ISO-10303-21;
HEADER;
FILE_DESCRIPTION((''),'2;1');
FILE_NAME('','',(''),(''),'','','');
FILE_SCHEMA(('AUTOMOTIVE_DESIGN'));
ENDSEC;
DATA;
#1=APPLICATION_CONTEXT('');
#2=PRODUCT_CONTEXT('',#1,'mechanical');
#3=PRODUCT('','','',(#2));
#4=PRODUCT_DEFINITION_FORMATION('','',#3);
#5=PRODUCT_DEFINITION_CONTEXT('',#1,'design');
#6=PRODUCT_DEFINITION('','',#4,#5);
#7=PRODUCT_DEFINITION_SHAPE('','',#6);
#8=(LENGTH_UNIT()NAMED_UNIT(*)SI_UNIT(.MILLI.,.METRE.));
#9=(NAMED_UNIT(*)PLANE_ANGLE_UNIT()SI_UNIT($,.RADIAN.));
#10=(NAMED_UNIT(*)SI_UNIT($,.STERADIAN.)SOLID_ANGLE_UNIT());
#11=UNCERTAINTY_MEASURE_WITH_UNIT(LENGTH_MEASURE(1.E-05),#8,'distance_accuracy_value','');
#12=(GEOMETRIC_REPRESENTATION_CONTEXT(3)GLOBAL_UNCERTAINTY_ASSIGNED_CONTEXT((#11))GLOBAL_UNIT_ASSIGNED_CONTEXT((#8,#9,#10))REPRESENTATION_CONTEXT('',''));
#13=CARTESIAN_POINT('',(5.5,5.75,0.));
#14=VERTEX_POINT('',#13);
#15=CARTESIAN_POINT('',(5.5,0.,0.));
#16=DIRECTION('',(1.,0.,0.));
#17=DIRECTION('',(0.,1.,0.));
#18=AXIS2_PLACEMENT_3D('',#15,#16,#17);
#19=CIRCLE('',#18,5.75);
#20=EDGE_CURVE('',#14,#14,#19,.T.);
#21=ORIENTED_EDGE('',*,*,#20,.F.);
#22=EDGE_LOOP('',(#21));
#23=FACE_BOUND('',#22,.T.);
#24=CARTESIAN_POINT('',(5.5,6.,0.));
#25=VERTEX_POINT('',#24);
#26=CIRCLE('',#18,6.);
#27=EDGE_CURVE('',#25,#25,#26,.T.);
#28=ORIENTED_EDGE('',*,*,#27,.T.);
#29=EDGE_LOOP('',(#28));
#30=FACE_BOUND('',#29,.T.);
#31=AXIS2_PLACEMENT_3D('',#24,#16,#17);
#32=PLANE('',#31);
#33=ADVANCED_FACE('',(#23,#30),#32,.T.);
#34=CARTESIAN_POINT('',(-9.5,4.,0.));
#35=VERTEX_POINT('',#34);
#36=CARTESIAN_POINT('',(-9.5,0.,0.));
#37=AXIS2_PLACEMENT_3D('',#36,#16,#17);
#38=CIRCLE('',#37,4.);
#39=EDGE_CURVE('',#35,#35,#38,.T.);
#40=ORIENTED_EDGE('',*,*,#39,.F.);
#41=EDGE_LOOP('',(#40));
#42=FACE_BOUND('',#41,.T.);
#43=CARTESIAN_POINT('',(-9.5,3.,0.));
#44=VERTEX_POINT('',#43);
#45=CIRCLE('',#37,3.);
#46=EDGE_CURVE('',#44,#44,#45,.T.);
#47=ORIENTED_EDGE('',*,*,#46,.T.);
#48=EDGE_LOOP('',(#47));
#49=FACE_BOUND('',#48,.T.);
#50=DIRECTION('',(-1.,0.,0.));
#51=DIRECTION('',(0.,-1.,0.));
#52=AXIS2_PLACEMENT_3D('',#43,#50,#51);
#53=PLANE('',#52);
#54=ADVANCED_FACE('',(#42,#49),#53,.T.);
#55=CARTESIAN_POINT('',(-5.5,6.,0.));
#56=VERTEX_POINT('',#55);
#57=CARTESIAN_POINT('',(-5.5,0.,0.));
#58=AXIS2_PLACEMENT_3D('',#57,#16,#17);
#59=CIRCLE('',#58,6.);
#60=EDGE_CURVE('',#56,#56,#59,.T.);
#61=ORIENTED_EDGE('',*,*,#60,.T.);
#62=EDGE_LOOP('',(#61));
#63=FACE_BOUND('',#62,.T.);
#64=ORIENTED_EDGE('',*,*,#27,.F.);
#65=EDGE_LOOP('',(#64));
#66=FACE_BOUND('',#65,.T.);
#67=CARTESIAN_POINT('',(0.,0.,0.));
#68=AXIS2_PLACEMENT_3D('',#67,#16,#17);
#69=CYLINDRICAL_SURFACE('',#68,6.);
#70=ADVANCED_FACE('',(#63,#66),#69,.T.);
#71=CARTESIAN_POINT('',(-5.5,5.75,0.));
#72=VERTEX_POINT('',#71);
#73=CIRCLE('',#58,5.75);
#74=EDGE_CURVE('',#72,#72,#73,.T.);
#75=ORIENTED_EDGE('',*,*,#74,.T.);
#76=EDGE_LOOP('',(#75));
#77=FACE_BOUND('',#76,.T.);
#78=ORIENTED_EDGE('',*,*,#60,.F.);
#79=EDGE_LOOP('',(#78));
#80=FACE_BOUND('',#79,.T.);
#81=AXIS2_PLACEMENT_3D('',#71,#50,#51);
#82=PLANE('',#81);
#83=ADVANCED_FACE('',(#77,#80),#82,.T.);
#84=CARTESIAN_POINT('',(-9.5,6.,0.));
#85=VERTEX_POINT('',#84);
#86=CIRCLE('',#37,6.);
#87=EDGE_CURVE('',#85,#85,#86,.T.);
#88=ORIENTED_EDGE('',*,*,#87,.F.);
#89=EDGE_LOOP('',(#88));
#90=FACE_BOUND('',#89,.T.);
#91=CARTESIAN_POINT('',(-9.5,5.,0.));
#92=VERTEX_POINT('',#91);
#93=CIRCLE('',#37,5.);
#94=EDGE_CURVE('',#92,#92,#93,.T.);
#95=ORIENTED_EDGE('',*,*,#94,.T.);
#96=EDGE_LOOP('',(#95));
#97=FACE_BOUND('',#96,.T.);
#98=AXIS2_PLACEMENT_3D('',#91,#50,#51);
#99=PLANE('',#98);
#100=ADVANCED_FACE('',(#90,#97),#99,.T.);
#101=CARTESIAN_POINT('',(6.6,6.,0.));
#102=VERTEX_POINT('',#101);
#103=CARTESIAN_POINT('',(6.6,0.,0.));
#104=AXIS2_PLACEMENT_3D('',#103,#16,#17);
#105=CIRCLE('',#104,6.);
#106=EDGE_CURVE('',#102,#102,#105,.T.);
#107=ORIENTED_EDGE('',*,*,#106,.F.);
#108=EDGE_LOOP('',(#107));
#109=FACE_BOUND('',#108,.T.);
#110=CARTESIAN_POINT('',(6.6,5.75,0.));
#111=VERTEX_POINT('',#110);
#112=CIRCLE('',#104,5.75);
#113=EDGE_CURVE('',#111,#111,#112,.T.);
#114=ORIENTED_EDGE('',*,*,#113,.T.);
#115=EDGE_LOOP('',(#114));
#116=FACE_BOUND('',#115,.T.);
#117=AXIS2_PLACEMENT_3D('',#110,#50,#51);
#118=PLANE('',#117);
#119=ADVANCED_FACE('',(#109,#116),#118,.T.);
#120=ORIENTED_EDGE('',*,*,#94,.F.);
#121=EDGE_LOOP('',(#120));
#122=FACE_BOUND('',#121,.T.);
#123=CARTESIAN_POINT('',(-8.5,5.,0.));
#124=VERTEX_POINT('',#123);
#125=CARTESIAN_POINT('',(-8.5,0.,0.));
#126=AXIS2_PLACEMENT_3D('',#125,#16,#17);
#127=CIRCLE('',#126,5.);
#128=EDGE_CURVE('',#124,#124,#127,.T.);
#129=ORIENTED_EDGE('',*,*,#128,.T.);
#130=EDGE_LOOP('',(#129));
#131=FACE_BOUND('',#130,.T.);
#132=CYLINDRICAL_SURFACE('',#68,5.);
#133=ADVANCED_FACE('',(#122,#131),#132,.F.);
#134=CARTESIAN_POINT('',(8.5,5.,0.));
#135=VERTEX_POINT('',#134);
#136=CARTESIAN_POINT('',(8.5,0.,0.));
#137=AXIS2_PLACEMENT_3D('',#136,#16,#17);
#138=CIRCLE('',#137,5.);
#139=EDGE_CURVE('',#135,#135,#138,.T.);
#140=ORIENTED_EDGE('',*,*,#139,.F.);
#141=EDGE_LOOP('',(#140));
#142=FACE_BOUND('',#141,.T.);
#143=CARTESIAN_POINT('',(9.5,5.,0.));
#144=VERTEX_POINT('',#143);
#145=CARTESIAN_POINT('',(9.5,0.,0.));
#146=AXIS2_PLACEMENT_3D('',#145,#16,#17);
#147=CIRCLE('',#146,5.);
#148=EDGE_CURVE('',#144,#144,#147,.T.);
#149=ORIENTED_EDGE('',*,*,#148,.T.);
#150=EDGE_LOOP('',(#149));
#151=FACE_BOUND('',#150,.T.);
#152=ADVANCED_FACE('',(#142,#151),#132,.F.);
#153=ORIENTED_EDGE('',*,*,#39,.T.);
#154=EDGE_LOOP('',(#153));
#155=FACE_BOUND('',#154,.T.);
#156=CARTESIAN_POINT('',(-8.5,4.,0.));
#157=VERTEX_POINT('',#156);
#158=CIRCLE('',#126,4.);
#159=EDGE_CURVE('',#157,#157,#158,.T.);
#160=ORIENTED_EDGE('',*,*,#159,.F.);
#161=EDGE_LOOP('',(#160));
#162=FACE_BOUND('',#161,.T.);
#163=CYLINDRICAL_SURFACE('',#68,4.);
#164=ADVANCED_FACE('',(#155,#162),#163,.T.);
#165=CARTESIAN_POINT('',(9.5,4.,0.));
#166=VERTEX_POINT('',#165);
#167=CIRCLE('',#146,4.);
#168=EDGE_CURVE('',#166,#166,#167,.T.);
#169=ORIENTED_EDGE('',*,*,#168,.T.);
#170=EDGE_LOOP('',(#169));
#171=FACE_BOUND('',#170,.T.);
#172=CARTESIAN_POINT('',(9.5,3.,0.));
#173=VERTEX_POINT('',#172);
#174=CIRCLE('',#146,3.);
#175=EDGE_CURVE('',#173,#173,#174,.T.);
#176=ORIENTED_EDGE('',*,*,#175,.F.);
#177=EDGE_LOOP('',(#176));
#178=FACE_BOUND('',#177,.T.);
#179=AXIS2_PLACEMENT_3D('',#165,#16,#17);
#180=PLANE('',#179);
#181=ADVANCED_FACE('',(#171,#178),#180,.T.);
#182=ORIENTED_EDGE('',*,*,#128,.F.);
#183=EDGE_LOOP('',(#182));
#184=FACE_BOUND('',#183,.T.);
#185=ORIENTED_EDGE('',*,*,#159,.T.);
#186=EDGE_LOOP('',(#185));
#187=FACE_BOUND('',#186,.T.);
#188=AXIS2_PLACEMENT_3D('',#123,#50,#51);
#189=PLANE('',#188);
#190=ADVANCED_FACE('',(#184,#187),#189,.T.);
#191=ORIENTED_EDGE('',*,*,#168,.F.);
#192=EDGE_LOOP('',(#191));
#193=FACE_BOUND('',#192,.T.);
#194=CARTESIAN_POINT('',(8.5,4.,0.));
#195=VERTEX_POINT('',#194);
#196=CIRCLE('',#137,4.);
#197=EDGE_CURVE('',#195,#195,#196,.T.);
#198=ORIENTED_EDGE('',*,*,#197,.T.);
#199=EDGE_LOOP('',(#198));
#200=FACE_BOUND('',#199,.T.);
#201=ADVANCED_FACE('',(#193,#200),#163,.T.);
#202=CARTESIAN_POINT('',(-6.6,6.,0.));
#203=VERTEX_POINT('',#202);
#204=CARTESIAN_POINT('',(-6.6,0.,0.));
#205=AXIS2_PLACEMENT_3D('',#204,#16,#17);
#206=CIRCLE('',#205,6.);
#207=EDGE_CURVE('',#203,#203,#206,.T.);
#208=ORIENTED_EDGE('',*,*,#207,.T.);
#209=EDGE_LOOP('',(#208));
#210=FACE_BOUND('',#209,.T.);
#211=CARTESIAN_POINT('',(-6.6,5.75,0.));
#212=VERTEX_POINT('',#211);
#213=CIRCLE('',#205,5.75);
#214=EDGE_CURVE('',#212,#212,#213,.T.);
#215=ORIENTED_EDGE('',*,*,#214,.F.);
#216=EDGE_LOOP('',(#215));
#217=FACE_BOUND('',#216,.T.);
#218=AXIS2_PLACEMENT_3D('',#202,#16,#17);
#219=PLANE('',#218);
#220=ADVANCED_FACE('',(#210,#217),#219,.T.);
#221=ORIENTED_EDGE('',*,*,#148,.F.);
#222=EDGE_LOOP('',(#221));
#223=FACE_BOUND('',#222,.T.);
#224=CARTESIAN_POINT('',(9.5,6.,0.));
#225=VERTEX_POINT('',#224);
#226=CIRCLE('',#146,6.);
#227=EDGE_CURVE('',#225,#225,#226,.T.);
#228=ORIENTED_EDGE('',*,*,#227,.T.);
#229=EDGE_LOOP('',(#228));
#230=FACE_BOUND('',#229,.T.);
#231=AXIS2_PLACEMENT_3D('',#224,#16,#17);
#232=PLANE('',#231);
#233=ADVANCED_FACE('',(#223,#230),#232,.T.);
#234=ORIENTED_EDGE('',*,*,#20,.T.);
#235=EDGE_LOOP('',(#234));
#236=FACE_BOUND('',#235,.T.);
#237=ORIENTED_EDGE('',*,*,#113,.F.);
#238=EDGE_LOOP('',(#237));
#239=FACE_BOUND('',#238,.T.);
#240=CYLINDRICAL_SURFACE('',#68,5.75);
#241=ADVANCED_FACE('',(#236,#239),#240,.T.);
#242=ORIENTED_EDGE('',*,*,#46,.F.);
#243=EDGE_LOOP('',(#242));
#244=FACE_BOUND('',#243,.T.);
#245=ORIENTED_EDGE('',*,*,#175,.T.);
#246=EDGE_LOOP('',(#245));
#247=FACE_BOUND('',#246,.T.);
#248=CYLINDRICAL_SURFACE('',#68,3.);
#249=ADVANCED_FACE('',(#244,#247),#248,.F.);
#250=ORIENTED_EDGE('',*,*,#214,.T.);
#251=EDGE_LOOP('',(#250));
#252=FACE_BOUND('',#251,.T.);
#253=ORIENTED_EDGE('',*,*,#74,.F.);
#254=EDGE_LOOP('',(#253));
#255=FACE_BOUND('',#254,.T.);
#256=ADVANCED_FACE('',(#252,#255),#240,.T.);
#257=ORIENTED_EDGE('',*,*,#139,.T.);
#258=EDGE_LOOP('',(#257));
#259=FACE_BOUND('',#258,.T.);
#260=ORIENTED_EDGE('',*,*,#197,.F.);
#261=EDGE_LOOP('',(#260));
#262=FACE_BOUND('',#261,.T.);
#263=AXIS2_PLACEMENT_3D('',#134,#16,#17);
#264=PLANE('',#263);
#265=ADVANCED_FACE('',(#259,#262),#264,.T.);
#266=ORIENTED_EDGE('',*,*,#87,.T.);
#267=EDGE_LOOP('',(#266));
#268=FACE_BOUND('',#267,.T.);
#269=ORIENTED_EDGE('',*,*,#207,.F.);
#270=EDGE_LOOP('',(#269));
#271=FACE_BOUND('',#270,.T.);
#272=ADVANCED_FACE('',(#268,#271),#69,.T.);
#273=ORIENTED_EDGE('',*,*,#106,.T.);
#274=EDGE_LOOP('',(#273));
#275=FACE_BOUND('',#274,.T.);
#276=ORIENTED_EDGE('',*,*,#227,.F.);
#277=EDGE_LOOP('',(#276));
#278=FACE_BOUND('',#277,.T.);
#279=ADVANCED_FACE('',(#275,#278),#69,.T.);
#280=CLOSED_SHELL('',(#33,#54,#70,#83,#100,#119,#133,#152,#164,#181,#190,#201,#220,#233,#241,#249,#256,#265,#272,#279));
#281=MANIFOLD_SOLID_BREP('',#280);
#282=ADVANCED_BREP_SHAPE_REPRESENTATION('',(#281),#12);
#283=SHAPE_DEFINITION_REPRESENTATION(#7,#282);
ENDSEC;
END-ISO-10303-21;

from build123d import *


with BuildPart() as part:
    # Esboço1 → Revolução1 (revolve)
    with BuildSketch(Plane.XY):
        Polygon((-9.5, 6), (-6.6, 6), (-6.6, 5.75), (-5.5, 5.75), (-5.5, 6), (5.5, 6), (5.5, 5.75), (6.6, 5.75), (6.6, 6), (9.5, 6), (9.5, 5), (8.5, 5), (8.5, 4), (9.5, 4), (9.5, 3), (-9.5, 3), (-9.5, 4), (-8.5, 4), (-8.5, 5), (-9.5, 5), align=None)
    revolve(axis=Axis((0, 0, 0), (-1, 0, 0)))


solid = part.part
